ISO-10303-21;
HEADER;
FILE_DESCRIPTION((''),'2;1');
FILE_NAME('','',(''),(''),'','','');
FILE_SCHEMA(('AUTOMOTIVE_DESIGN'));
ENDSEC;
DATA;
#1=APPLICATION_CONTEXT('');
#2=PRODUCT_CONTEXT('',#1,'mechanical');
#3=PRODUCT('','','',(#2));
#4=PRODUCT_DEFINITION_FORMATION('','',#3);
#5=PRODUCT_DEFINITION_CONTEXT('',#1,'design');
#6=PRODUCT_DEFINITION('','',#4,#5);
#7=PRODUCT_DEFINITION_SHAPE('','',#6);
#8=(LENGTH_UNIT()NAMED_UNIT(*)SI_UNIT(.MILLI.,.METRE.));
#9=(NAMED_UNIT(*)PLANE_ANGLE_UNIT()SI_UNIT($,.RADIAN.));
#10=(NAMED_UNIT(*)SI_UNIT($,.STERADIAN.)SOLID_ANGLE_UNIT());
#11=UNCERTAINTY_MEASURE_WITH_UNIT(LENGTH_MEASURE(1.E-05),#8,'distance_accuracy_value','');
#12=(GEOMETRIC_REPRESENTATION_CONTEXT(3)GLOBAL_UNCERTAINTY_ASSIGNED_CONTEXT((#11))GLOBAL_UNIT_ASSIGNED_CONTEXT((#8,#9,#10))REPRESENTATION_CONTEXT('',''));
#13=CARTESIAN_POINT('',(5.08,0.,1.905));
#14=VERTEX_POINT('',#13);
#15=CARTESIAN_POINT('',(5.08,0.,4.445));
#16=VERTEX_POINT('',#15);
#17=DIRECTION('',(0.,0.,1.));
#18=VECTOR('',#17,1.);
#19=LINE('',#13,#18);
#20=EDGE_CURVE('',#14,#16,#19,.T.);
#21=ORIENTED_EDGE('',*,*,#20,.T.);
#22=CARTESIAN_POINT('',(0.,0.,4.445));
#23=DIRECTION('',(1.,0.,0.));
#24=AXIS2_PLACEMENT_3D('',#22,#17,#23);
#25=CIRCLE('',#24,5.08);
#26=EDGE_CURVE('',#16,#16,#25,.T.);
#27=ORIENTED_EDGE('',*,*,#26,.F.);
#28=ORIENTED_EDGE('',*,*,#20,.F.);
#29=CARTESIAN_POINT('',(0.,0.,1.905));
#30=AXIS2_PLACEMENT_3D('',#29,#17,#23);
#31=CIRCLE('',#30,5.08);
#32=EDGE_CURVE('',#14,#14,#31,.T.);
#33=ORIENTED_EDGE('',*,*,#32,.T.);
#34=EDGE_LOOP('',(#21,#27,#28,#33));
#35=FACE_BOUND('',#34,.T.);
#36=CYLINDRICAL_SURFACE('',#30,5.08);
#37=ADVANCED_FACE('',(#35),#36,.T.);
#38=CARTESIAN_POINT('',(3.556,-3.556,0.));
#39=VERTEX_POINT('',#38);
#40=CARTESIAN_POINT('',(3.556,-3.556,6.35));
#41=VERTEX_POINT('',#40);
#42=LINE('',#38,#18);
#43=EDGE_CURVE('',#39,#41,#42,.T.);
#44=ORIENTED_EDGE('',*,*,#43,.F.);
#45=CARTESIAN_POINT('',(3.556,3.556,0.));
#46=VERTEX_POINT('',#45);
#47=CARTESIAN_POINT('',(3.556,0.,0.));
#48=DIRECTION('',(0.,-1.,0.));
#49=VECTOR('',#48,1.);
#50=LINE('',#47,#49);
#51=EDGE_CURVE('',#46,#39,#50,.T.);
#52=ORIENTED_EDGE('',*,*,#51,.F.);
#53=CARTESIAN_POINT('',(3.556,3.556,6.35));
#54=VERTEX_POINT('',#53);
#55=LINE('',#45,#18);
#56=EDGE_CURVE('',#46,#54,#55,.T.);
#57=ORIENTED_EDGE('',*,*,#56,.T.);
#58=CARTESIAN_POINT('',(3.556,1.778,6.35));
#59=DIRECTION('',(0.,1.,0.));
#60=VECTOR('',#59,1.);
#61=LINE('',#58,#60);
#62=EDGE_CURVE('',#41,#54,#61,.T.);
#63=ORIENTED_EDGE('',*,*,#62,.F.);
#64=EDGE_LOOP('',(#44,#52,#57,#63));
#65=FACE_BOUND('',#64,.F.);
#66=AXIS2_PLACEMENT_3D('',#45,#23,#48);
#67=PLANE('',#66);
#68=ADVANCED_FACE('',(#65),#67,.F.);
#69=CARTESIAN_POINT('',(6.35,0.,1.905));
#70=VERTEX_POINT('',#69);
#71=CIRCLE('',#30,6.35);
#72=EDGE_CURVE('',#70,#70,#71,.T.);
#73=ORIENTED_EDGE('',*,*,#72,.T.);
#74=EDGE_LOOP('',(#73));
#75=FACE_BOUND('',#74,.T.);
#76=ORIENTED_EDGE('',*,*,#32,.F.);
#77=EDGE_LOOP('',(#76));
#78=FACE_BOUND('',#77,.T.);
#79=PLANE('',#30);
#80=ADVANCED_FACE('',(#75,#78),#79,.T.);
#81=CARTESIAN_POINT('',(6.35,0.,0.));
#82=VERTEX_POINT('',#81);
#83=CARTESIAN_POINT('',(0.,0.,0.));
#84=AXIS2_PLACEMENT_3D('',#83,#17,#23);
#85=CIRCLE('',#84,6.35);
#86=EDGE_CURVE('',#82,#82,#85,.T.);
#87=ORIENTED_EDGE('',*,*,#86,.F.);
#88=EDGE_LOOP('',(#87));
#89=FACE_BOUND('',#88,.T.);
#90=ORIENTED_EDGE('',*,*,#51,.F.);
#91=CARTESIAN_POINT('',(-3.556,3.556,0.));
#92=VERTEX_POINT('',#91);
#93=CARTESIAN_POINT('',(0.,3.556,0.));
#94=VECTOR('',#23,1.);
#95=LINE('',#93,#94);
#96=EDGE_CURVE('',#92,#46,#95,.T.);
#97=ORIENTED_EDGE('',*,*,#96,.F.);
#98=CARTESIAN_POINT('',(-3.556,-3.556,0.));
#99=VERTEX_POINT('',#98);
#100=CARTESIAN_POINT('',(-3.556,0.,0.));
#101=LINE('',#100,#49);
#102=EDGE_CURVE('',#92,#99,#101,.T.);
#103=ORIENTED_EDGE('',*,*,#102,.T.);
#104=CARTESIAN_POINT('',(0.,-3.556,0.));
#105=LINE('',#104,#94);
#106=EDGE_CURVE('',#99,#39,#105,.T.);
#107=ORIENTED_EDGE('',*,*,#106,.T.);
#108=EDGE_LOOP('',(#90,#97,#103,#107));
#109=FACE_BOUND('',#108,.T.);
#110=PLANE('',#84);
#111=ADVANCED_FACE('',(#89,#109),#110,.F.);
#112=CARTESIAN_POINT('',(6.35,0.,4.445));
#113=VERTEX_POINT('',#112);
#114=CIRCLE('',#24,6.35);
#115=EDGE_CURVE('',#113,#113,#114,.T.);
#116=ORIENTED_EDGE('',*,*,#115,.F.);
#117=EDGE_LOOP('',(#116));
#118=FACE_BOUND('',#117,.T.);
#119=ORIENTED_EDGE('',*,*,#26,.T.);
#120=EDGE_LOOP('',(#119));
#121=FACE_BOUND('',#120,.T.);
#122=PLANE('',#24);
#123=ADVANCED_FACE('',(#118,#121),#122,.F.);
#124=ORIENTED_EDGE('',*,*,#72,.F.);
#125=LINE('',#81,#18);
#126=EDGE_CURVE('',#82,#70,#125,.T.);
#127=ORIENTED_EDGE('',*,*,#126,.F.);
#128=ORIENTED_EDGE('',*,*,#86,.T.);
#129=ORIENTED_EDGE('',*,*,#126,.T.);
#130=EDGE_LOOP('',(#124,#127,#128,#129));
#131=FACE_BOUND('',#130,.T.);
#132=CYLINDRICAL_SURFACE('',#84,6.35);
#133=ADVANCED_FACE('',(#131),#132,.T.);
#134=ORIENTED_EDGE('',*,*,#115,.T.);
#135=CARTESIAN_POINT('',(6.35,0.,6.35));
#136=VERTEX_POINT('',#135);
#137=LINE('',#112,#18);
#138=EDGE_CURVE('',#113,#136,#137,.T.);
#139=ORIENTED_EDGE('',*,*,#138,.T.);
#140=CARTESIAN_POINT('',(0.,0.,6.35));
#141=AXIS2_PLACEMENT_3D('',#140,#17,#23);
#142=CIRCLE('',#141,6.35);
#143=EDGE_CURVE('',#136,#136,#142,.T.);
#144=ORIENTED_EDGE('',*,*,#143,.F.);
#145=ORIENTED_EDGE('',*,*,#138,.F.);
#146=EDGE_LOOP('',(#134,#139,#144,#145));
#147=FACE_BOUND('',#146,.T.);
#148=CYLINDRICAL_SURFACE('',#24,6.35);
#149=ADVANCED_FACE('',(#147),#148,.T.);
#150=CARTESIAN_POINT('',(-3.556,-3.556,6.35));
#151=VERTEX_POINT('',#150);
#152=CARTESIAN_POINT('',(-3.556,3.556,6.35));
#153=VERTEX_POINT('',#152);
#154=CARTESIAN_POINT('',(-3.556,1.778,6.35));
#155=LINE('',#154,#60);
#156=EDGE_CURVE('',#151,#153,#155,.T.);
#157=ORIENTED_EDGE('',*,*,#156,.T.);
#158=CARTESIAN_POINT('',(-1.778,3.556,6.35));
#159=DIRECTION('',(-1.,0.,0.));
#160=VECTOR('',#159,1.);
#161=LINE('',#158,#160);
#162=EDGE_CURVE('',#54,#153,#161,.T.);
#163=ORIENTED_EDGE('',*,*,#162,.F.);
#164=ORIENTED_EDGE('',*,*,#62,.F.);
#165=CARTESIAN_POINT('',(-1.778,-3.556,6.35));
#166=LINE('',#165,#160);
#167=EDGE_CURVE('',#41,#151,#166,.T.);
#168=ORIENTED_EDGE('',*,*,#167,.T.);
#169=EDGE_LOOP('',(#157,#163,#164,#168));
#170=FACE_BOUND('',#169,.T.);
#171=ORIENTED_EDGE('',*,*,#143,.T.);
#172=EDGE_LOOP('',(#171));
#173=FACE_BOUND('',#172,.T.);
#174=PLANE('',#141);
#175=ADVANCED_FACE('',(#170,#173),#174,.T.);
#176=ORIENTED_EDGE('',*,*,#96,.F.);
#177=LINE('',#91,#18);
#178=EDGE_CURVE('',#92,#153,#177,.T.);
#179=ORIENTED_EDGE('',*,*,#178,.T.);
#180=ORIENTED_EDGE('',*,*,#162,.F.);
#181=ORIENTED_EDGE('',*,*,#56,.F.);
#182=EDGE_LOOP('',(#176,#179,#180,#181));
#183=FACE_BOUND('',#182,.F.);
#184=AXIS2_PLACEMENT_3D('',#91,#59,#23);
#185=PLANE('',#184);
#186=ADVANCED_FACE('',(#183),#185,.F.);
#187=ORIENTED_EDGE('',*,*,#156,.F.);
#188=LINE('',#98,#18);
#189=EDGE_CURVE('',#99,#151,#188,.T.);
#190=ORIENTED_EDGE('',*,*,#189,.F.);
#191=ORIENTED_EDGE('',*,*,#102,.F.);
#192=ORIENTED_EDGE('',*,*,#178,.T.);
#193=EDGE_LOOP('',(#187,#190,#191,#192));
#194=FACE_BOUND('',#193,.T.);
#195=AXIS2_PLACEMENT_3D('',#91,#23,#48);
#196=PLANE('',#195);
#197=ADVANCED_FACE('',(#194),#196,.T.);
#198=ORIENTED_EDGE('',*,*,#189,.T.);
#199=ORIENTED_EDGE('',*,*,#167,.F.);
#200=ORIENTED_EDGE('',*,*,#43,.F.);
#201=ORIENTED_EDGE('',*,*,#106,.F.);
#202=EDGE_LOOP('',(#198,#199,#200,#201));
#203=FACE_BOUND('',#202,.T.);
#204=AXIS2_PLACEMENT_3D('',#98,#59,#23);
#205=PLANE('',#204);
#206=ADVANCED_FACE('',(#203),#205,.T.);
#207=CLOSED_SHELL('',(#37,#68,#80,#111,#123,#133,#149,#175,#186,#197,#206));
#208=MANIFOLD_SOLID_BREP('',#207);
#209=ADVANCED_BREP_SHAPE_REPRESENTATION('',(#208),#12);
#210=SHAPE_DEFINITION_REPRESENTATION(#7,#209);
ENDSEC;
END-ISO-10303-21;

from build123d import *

# Parameters (mm, degrees)
F2_W     = 7.112
F2_H     = 7.112
F3_DEPTH = 25.4


with BuildPart() as f1:
    # F0 (on Front) → F1 (revolve)
    with BuildSketch(Plane.XZ):
        Polygon((0, 6.35), (0, 0), (6.35, 0), (6.35, 1.905), (5.08, 1.905), (5.08, 4.445), (6.35, 4.445), (6.35, 6.35), align=None)
    revolve(axis=Axis((0, 0, 3.175), (0, 0, 1)))

    # F2 (on face) → F3 (cut)
    with BuildSketch(Plane(origin=(0, 0, 0), x_dir=(1, 0, 0), z_dir=(0, 0, -1))):
        Rectangle(F2_W, F2_H)
    extrude(amount=-F3_DEPTH, mode=Mode.SUBTRACT)


solid = f1.part
